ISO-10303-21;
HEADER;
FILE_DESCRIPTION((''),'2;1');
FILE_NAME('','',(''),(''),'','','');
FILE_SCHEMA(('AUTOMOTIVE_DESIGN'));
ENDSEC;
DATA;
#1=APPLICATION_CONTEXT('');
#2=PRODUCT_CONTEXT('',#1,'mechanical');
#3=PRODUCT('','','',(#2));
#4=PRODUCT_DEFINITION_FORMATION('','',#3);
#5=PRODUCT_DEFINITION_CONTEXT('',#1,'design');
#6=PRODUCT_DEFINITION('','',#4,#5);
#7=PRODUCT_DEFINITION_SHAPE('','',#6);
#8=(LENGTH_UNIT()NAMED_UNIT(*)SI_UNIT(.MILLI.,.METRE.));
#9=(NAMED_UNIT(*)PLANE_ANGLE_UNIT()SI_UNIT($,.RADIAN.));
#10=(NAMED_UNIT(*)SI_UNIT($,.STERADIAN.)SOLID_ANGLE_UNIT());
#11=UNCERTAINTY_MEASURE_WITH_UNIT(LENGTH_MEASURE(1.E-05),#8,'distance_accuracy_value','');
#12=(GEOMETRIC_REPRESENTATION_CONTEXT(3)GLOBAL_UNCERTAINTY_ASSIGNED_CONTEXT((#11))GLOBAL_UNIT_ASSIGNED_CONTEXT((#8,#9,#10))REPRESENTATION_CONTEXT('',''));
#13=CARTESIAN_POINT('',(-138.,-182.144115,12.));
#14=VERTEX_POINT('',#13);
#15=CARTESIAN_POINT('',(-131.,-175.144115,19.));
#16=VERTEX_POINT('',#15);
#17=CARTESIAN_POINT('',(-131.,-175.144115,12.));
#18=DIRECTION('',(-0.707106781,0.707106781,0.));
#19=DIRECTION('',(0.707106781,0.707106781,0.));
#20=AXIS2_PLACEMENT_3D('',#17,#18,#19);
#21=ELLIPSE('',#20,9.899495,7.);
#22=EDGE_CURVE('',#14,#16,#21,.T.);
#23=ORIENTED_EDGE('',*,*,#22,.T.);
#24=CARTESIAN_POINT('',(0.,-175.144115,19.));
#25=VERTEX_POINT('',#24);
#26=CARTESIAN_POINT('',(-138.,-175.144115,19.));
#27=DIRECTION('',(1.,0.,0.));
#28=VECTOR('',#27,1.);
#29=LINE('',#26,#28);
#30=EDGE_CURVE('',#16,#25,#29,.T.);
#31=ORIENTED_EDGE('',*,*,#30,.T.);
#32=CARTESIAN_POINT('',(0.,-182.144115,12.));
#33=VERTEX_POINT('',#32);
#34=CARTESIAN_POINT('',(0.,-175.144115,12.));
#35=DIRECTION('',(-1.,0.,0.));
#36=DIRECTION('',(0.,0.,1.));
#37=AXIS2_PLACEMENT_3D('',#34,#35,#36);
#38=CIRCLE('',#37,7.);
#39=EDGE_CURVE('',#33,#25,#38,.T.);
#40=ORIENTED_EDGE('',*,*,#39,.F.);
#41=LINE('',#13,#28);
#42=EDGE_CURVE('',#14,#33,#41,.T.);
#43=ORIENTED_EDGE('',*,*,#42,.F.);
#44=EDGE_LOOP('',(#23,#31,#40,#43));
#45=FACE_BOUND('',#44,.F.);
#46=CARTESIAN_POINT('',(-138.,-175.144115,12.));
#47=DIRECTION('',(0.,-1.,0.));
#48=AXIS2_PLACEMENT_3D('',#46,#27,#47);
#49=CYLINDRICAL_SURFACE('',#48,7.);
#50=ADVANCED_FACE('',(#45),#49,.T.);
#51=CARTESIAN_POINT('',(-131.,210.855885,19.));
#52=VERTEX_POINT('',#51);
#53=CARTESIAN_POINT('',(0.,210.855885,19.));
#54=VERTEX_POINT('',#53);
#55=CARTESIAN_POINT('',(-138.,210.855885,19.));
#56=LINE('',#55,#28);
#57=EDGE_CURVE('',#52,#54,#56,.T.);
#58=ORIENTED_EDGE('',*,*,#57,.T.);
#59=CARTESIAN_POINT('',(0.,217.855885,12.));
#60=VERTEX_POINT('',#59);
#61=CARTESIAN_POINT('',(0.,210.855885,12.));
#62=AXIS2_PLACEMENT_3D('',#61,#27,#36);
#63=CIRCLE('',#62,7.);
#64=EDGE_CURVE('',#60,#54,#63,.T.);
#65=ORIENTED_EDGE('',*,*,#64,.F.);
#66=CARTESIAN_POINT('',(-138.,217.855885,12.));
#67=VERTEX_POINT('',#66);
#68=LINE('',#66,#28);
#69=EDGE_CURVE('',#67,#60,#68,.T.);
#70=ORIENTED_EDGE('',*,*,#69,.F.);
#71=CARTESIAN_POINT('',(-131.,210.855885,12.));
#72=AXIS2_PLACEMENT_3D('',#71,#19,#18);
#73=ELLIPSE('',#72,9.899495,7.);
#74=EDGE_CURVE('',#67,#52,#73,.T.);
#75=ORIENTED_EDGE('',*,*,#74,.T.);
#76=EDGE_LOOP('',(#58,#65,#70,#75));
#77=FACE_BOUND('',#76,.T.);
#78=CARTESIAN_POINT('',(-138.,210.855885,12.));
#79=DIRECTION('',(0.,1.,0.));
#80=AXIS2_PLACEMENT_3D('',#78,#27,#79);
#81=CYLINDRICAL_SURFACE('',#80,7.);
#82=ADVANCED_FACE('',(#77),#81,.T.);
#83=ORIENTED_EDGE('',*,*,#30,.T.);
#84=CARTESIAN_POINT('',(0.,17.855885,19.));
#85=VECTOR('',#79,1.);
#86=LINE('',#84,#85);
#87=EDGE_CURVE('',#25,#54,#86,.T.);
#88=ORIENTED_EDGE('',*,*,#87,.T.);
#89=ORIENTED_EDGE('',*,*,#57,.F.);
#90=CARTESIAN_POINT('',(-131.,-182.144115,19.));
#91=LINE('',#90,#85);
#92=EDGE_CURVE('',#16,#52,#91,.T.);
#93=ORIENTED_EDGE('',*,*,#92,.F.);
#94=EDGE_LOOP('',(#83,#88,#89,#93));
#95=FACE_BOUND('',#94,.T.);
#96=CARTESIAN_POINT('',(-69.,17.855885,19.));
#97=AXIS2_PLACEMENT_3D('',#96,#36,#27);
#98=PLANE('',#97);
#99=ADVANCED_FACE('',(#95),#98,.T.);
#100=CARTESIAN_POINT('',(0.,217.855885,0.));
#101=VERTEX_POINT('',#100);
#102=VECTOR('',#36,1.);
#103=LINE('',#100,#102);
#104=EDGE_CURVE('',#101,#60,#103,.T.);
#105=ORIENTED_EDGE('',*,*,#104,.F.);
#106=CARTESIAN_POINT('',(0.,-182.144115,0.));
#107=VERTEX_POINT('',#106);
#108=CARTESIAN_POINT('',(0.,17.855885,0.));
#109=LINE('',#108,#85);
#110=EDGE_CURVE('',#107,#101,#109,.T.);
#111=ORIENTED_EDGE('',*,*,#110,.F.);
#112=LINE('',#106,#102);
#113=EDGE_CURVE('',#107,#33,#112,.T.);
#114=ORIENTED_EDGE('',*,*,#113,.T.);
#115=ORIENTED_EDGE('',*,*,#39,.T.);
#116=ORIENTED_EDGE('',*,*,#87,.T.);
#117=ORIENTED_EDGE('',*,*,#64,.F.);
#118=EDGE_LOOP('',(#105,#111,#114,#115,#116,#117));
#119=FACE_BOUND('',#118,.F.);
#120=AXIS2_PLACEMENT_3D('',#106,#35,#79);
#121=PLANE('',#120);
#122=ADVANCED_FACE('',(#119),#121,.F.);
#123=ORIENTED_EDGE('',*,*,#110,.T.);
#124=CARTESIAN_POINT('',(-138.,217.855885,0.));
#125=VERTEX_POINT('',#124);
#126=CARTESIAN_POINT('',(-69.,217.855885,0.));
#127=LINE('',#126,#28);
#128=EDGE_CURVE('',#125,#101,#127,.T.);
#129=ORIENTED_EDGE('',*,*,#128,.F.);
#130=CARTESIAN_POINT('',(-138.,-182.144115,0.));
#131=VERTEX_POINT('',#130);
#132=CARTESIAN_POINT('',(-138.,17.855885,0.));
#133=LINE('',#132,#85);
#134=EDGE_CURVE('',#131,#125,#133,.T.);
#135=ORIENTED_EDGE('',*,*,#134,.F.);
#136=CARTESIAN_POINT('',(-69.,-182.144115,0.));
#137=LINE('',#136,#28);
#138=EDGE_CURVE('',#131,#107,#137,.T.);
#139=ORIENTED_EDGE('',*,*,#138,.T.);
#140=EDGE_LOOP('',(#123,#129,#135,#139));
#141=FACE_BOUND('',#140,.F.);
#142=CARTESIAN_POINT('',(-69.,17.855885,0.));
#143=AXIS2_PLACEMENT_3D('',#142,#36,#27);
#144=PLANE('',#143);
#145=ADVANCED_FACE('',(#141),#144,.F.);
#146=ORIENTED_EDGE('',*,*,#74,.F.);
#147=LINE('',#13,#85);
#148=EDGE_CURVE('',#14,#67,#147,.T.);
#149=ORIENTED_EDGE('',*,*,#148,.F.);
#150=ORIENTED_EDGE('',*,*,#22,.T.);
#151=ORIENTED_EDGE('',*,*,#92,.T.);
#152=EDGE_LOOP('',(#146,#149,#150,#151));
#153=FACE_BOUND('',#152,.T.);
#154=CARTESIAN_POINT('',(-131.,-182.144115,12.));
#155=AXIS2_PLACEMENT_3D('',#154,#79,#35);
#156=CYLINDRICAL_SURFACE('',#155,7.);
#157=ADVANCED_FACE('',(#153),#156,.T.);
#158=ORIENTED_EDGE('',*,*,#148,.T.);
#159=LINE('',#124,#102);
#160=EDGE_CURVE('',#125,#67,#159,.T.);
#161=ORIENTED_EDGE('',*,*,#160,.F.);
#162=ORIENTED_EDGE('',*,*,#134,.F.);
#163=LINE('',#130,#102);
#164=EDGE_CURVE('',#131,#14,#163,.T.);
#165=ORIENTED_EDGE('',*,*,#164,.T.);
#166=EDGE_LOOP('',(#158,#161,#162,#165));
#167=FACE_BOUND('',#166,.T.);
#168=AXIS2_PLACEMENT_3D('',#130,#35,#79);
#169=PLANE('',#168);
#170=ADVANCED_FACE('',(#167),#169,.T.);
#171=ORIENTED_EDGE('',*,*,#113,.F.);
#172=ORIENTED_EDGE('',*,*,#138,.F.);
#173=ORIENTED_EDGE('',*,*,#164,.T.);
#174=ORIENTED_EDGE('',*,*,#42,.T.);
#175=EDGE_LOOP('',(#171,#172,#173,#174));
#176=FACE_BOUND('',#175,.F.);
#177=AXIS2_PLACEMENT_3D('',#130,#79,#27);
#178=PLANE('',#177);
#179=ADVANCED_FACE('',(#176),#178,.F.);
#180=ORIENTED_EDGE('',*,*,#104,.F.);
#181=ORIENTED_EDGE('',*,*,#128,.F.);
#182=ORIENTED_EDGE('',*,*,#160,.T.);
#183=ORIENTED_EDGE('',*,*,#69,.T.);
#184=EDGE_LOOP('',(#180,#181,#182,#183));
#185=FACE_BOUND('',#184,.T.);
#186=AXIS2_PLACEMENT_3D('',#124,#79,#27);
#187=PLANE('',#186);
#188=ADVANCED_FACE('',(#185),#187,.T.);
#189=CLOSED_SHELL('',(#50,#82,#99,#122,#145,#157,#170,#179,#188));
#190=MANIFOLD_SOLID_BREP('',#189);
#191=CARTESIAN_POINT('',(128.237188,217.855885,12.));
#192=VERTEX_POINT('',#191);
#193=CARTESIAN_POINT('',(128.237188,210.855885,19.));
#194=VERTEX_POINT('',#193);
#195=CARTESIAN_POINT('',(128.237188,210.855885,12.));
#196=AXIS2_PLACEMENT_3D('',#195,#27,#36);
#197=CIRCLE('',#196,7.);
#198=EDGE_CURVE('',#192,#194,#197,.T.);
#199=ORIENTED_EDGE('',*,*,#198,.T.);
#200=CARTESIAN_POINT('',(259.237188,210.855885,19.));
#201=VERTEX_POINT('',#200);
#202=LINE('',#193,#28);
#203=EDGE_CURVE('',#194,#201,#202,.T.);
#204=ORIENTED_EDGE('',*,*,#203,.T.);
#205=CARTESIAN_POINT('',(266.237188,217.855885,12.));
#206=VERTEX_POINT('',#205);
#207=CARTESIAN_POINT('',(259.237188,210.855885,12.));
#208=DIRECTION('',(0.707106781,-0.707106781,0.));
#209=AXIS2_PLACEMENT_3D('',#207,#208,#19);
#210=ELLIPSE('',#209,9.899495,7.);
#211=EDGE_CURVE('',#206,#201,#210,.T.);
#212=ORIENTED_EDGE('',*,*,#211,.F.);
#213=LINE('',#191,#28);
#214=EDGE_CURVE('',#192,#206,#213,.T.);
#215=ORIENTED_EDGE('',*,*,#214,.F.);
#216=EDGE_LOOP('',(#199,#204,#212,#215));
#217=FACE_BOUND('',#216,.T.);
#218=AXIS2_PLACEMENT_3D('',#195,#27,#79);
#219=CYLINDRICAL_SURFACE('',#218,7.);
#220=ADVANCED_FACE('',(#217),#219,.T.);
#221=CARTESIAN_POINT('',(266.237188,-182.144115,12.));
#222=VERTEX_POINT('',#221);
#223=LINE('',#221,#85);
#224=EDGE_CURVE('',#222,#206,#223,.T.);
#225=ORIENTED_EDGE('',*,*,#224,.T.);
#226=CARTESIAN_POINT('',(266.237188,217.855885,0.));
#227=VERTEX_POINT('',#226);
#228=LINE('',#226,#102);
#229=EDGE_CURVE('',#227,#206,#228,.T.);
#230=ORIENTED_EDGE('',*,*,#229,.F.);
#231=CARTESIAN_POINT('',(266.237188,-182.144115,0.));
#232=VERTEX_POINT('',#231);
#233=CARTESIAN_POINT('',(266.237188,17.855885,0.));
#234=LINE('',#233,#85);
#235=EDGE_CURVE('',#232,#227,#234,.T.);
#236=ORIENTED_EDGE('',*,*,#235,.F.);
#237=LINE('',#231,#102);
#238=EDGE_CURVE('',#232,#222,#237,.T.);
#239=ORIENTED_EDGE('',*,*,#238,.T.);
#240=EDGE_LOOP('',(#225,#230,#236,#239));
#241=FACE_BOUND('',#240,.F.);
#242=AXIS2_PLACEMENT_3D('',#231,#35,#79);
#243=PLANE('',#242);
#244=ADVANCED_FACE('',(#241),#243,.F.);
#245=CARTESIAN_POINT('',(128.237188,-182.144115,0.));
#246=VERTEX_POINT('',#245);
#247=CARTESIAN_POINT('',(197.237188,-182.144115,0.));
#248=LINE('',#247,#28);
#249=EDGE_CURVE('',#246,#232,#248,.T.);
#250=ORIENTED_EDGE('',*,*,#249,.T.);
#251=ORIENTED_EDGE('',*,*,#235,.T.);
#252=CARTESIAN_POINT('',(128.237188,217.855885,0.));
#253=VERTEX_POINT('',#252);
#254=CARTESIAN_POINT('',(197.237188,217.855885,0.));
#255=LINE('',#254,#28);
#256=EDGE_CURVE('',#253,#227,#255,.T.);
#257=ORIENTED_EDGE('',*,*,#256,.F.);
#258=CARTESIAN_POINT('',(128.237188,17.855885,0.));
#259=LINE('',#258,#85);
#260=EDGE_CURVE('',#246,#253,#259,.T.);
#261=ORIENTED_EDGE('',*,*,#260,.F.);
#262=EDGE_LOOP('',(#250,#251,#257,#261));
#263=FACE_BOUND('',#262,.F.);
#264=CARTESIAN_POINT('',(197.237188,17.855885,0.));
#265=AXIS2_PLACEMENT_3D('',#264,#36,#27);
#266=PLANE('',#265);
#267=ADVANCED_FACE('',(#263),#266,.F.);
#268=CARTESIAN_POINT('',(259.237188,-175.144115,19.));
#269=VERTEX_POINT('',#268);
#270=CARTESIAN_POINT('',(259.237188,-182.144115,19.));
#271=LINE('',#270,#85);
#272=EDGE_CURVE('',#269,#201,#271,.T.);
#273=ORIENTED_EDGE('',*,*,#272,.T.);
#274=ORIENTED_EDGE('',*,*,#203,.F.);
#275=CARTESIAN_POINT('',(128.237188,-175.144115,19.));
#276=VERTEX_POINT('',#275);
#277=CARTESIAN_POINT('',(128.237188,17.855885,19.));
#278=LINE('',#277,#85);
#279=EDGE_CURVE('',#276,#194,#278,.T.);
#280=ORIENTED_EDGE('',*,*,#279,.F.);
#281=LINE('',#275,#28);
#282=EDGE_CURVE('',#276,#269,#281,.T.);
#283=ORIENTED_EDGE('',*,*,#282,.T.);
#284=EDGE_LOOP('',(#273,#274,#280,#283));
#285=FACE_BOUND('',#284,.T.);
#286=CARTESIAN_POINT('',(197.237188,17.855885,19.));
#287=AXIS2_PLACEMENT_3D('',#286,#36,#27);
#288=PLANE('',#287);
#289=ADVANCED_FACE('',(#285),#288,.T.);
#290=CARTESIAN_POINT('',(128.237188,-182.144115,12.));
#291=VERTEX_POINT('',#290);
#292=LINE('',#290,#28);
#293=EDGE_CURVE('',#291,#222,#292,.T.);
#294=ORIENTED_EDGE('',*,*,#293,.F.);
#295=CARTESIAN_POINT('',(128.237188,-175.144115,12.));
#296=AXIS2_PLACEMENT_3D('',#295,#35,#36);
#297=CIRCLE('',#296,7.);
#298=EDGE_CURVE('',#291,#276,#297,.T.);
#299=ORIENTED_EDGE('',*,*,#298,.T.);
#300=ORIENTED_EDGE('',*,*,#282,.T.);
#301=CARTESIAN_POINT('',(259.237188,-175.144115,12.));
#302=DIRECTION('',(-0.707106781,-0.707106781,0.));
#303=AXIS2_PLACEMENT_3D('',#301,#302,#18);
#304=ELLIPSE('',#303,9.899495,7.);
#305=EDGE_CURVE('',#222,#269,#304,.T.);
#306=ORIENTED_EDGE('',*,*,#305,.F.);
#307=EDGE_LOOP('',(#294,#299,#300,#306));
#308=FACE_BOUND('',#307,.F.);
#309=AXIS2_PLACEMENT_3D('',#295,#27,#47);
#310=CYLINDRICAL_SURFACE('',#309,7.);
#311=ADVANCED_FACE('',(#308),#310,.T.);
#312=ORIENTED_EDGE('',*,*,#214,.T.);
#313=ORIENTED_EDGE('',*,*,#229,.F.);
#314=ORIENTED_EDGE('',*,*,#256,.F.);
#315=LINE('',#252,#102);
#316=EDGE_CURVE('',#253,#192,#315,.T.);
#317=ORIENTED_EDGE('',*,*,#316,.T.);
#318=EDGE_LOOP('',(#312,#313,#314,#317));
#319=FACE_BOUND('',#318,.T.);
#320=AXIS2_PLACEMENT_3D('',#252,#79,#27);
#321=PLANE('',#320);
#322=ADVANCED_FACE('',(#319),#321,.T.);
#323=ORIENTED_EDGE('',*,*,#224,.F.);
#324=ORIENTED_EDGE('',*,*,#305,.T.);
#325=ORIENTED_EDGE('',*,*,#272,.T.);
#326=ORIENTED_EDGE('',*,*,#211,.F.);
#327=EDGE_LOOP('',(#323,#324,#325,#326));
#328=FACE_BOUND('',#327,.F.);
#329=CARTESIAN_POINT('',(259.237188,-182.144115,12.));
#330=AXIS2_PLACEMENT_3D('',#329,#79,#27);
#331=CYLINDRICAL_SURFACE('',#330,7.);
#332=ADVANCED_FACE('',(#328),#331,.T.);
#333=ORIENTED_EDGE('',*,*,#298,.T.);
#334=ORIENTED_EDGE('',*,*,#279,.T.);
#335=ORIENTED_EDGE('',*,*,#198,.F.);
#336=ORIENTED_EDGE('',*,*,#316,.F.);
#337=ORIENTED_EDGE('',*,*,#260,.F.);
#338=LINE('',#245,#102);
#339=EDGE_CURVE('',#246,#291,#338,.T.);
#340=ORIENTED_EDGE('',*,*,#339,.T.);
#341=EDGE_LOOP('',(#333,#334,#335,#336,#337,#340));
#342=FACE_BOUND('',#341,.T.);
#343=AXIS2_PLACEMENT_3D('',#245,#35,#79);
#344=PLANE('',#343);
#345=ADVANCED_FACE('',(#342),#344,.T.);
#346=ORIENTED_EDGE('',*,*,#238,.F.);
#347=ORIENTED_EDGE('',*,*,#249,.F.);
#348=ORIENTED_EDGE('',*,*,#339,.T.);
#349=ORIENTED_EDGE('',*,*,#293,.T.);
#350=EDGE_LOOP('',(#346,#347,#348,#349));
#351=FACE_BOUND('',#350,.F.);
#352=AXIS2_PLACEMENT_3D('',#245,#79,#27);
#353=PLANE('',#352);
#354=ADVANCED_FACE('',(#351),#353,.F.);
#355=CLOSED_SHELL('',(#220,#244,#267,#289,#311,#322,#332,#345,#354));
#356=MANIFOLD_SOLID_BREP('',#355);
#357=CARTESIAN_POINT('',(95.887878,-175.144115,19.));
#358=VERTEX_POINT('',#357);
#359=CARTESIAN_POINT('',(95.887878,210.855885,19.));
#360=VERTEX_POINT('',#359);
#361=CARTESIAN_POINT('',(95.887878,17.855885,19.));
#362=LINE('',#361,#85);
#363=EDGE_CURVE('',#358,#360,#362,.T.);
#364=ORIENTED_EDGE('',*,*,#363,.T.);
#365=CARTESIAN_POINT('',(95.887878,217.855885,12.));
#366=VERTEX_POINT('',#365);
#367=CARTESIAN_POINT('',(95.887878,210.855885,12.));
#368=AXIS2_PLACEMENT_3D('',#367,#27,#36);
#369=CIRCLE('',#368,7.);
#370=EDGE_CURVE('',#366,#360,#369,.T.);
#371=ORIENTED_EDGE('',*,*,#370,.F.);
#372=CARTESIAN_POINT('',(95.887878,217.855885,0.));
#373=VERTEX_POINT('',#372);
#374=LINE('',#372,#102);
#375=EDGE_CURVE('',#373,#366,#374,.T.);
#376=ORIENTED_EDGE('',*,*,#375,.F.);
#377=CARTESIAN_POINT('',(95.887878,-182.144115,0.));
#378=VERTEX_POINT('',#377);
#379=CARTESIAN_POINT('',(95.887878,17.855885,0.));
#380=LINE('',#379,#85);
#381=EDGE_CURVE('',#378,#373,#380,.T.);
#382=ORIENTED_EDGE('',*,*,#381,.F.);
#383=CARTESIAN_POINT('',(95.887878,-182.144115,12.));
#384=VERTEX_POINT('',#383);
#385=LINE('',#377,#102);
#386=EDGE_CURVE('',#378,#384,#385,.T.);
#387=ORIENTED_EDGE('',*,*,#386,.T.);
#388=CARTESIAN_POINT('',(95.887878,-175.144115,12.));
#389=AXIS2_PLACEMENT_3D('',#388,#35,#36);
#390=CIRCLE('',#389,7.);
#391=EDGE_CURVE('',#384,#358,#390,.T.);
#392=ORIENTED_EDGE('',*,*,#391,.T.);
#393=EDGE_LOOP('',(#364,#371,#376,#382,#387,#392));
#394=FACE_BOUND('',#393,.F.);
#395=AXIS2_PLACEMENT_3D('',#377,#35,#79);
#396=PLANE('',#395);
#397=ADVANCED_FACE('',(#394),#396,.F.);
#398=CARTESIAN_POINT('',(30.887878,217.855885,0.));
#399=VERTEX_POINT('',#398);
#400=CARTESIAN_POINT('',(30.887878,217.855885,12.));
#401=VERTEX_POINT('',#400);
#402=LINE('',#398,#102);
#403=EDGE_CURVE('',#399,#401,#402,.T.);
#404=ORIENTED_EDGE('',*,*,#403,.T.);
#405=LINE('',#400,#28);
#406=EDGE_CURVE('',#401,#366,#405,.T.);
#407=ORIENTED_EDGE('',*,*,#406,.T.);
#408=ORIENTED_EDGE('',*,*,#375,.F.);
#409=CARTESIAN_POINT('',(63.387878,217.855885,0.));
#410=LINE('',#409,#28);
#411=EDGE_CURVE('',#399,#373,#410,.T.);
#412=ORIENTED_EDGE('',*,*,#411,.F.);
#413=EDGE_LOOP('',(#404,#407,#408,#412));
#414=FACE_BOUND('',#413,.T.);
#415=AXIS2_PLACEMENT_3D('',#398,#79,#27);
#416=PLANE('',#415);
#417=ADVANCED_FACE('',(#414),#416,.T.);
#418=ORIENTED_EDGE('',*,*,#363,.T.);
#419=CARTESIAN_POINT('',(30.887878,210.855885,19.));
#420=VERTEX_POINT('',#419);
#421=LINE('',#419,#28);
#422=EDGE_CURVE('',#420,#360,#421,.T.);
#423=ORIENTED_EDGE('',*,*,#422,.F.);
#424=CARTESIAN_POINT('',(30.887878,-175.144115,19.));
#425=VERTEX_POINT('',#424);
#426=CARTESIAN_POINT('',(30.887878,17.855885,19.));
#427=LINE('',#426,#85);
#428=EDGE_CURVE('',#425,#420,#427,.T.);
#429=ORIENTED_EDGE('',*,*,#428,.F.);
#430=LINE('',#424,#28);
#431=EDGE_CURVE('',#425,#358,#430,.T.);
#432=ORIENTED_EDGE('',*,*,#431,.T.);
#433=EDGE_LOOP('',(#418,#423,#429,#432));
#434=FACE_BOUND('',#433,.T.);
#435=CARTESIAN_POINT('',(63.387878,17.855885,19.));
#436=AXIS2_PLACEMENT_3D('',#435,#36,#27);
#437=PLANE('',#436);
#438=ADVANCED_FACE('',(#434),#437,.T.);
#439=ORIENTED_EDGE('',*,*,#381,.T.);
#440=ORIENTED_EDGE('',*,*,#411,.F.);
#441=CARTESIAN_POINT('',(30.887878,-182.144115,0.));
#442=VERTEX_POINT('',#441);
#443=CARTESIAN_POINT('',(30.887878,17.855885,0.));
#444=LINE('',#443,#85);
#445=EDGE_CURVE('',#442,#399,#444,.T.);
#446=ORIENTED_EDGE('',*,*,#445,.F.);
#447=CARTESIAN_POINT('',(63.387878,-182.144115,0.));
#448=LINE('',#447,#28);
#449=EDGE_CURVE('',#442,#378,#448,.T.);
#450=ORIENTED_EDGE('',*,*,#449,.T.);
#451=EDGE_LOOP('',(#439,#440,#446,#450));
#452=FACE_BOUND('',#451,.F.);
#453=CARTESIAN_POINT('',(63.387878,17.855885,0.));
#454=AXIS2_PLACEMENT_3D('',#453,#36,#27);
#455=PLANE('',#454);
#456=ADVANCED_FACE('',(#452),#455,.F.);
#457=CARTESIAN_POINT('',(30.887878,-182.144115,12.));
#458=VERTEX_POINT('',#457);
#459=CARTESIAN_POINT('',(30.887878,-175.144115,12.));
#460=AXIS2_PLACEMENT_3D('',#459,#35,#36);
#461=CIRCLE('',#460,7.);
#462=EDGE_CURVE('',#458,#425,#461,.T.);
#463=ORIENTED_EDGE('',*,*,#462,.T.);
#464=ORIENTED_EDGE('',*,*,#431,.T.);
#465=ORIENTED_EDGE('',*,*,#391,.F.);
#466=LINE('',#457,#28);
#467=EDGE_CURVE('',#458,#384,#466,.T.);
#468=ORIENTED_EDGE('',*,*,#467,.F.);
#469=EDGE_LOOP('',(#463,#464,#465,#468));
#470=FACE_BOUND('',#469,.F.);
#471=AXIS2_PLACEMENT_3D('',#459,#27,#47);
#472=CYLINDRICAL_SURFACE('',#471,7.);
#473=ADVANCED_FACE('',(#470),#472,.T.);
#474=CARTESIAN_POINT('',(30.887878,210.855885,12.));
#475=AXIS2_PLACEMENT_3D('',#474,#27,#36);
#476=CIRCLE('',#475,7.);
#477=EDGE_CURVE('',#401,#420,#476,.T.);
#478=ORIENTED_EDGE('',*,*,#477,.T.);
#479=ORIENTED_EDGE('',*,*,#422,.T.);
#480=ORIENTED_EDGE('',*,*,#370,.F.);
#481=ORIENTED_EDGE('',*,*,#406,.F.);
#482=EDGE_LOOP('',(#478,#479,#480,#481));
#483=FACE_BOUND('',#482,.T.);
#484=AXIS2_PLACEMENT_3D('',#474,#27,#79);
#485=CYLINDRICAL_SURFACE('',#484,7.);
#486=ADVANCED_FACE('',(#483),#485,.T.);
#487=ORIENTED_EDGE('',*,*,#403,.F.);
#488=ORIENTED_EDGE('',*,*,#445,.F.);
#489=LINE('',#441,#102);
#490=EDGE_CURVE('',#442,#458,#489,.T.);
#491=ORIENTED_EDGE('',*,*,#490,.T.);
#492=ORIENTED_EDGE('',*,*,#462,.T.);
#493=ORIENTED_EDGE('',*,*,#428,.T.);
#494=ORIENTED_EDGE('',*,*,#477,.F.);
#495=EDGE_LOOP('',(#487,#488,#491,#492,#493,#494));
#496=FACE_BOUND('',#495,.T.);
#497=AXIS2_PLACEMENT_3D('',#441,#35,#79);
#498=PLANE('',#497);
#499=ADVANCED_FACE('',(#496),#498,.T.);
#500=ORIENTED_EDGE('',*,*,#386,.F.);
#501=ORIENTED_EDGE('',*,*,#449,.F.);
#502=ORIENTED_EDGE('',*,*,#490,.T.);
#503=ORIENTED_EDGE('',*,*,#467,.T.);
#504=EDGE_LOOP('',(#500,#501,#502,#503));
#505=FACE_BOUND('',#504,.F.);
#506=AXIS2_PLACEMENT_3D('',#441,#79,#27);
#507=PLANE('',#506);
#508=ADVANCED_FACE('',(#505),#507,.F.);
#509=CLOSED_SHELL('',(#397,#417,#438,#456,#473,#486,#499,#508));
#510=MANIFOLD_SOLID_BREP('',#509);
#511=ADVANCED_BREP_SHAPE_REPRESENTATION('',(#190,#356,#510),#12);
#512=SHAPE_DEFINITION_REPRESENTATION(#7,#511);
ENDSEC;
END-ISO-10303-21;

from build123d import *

# Parameters (mm, degrees)
F0_W     = 138
F0_H     = 400
F0_W_2   = 65
F1_DEPTH = 19
F2_R     = 7


with BuildPart() as f1:
    # F0 (on Top) → F1 (new body)
    with BuildSketch(Plane.XY):
        with Locations((-69, 17.855885)):
            Rectangle(F0_W, F0_H)
        with Locations((63.387878, 17.855885)):
            Rectangle(F0_W_2, F0_H)
        with Locations((197.237188, 17.855885)):
            Rectangle(F0_W, F0_H)
    extrude(amount=F1_DEPTH)

    # F2
    f2_edges = [f1.edges().sort_by_distance(p)[0] for p in [
        (-138, 17.855885, 19),
        (-69, 217.855885, 19),
        (63.387878, 217.855885, 19),
        (197.237188, 217.855885, 19),
        (266.237188, 17.855885, 19),
        (197.237188, -182.144115, 19),
        (63.387878, -182.144115, 19),
        (-69, -182.144115, 19),
    ]]
    fillet(f2_edges, radius=F2_R)


solid = f1.part
